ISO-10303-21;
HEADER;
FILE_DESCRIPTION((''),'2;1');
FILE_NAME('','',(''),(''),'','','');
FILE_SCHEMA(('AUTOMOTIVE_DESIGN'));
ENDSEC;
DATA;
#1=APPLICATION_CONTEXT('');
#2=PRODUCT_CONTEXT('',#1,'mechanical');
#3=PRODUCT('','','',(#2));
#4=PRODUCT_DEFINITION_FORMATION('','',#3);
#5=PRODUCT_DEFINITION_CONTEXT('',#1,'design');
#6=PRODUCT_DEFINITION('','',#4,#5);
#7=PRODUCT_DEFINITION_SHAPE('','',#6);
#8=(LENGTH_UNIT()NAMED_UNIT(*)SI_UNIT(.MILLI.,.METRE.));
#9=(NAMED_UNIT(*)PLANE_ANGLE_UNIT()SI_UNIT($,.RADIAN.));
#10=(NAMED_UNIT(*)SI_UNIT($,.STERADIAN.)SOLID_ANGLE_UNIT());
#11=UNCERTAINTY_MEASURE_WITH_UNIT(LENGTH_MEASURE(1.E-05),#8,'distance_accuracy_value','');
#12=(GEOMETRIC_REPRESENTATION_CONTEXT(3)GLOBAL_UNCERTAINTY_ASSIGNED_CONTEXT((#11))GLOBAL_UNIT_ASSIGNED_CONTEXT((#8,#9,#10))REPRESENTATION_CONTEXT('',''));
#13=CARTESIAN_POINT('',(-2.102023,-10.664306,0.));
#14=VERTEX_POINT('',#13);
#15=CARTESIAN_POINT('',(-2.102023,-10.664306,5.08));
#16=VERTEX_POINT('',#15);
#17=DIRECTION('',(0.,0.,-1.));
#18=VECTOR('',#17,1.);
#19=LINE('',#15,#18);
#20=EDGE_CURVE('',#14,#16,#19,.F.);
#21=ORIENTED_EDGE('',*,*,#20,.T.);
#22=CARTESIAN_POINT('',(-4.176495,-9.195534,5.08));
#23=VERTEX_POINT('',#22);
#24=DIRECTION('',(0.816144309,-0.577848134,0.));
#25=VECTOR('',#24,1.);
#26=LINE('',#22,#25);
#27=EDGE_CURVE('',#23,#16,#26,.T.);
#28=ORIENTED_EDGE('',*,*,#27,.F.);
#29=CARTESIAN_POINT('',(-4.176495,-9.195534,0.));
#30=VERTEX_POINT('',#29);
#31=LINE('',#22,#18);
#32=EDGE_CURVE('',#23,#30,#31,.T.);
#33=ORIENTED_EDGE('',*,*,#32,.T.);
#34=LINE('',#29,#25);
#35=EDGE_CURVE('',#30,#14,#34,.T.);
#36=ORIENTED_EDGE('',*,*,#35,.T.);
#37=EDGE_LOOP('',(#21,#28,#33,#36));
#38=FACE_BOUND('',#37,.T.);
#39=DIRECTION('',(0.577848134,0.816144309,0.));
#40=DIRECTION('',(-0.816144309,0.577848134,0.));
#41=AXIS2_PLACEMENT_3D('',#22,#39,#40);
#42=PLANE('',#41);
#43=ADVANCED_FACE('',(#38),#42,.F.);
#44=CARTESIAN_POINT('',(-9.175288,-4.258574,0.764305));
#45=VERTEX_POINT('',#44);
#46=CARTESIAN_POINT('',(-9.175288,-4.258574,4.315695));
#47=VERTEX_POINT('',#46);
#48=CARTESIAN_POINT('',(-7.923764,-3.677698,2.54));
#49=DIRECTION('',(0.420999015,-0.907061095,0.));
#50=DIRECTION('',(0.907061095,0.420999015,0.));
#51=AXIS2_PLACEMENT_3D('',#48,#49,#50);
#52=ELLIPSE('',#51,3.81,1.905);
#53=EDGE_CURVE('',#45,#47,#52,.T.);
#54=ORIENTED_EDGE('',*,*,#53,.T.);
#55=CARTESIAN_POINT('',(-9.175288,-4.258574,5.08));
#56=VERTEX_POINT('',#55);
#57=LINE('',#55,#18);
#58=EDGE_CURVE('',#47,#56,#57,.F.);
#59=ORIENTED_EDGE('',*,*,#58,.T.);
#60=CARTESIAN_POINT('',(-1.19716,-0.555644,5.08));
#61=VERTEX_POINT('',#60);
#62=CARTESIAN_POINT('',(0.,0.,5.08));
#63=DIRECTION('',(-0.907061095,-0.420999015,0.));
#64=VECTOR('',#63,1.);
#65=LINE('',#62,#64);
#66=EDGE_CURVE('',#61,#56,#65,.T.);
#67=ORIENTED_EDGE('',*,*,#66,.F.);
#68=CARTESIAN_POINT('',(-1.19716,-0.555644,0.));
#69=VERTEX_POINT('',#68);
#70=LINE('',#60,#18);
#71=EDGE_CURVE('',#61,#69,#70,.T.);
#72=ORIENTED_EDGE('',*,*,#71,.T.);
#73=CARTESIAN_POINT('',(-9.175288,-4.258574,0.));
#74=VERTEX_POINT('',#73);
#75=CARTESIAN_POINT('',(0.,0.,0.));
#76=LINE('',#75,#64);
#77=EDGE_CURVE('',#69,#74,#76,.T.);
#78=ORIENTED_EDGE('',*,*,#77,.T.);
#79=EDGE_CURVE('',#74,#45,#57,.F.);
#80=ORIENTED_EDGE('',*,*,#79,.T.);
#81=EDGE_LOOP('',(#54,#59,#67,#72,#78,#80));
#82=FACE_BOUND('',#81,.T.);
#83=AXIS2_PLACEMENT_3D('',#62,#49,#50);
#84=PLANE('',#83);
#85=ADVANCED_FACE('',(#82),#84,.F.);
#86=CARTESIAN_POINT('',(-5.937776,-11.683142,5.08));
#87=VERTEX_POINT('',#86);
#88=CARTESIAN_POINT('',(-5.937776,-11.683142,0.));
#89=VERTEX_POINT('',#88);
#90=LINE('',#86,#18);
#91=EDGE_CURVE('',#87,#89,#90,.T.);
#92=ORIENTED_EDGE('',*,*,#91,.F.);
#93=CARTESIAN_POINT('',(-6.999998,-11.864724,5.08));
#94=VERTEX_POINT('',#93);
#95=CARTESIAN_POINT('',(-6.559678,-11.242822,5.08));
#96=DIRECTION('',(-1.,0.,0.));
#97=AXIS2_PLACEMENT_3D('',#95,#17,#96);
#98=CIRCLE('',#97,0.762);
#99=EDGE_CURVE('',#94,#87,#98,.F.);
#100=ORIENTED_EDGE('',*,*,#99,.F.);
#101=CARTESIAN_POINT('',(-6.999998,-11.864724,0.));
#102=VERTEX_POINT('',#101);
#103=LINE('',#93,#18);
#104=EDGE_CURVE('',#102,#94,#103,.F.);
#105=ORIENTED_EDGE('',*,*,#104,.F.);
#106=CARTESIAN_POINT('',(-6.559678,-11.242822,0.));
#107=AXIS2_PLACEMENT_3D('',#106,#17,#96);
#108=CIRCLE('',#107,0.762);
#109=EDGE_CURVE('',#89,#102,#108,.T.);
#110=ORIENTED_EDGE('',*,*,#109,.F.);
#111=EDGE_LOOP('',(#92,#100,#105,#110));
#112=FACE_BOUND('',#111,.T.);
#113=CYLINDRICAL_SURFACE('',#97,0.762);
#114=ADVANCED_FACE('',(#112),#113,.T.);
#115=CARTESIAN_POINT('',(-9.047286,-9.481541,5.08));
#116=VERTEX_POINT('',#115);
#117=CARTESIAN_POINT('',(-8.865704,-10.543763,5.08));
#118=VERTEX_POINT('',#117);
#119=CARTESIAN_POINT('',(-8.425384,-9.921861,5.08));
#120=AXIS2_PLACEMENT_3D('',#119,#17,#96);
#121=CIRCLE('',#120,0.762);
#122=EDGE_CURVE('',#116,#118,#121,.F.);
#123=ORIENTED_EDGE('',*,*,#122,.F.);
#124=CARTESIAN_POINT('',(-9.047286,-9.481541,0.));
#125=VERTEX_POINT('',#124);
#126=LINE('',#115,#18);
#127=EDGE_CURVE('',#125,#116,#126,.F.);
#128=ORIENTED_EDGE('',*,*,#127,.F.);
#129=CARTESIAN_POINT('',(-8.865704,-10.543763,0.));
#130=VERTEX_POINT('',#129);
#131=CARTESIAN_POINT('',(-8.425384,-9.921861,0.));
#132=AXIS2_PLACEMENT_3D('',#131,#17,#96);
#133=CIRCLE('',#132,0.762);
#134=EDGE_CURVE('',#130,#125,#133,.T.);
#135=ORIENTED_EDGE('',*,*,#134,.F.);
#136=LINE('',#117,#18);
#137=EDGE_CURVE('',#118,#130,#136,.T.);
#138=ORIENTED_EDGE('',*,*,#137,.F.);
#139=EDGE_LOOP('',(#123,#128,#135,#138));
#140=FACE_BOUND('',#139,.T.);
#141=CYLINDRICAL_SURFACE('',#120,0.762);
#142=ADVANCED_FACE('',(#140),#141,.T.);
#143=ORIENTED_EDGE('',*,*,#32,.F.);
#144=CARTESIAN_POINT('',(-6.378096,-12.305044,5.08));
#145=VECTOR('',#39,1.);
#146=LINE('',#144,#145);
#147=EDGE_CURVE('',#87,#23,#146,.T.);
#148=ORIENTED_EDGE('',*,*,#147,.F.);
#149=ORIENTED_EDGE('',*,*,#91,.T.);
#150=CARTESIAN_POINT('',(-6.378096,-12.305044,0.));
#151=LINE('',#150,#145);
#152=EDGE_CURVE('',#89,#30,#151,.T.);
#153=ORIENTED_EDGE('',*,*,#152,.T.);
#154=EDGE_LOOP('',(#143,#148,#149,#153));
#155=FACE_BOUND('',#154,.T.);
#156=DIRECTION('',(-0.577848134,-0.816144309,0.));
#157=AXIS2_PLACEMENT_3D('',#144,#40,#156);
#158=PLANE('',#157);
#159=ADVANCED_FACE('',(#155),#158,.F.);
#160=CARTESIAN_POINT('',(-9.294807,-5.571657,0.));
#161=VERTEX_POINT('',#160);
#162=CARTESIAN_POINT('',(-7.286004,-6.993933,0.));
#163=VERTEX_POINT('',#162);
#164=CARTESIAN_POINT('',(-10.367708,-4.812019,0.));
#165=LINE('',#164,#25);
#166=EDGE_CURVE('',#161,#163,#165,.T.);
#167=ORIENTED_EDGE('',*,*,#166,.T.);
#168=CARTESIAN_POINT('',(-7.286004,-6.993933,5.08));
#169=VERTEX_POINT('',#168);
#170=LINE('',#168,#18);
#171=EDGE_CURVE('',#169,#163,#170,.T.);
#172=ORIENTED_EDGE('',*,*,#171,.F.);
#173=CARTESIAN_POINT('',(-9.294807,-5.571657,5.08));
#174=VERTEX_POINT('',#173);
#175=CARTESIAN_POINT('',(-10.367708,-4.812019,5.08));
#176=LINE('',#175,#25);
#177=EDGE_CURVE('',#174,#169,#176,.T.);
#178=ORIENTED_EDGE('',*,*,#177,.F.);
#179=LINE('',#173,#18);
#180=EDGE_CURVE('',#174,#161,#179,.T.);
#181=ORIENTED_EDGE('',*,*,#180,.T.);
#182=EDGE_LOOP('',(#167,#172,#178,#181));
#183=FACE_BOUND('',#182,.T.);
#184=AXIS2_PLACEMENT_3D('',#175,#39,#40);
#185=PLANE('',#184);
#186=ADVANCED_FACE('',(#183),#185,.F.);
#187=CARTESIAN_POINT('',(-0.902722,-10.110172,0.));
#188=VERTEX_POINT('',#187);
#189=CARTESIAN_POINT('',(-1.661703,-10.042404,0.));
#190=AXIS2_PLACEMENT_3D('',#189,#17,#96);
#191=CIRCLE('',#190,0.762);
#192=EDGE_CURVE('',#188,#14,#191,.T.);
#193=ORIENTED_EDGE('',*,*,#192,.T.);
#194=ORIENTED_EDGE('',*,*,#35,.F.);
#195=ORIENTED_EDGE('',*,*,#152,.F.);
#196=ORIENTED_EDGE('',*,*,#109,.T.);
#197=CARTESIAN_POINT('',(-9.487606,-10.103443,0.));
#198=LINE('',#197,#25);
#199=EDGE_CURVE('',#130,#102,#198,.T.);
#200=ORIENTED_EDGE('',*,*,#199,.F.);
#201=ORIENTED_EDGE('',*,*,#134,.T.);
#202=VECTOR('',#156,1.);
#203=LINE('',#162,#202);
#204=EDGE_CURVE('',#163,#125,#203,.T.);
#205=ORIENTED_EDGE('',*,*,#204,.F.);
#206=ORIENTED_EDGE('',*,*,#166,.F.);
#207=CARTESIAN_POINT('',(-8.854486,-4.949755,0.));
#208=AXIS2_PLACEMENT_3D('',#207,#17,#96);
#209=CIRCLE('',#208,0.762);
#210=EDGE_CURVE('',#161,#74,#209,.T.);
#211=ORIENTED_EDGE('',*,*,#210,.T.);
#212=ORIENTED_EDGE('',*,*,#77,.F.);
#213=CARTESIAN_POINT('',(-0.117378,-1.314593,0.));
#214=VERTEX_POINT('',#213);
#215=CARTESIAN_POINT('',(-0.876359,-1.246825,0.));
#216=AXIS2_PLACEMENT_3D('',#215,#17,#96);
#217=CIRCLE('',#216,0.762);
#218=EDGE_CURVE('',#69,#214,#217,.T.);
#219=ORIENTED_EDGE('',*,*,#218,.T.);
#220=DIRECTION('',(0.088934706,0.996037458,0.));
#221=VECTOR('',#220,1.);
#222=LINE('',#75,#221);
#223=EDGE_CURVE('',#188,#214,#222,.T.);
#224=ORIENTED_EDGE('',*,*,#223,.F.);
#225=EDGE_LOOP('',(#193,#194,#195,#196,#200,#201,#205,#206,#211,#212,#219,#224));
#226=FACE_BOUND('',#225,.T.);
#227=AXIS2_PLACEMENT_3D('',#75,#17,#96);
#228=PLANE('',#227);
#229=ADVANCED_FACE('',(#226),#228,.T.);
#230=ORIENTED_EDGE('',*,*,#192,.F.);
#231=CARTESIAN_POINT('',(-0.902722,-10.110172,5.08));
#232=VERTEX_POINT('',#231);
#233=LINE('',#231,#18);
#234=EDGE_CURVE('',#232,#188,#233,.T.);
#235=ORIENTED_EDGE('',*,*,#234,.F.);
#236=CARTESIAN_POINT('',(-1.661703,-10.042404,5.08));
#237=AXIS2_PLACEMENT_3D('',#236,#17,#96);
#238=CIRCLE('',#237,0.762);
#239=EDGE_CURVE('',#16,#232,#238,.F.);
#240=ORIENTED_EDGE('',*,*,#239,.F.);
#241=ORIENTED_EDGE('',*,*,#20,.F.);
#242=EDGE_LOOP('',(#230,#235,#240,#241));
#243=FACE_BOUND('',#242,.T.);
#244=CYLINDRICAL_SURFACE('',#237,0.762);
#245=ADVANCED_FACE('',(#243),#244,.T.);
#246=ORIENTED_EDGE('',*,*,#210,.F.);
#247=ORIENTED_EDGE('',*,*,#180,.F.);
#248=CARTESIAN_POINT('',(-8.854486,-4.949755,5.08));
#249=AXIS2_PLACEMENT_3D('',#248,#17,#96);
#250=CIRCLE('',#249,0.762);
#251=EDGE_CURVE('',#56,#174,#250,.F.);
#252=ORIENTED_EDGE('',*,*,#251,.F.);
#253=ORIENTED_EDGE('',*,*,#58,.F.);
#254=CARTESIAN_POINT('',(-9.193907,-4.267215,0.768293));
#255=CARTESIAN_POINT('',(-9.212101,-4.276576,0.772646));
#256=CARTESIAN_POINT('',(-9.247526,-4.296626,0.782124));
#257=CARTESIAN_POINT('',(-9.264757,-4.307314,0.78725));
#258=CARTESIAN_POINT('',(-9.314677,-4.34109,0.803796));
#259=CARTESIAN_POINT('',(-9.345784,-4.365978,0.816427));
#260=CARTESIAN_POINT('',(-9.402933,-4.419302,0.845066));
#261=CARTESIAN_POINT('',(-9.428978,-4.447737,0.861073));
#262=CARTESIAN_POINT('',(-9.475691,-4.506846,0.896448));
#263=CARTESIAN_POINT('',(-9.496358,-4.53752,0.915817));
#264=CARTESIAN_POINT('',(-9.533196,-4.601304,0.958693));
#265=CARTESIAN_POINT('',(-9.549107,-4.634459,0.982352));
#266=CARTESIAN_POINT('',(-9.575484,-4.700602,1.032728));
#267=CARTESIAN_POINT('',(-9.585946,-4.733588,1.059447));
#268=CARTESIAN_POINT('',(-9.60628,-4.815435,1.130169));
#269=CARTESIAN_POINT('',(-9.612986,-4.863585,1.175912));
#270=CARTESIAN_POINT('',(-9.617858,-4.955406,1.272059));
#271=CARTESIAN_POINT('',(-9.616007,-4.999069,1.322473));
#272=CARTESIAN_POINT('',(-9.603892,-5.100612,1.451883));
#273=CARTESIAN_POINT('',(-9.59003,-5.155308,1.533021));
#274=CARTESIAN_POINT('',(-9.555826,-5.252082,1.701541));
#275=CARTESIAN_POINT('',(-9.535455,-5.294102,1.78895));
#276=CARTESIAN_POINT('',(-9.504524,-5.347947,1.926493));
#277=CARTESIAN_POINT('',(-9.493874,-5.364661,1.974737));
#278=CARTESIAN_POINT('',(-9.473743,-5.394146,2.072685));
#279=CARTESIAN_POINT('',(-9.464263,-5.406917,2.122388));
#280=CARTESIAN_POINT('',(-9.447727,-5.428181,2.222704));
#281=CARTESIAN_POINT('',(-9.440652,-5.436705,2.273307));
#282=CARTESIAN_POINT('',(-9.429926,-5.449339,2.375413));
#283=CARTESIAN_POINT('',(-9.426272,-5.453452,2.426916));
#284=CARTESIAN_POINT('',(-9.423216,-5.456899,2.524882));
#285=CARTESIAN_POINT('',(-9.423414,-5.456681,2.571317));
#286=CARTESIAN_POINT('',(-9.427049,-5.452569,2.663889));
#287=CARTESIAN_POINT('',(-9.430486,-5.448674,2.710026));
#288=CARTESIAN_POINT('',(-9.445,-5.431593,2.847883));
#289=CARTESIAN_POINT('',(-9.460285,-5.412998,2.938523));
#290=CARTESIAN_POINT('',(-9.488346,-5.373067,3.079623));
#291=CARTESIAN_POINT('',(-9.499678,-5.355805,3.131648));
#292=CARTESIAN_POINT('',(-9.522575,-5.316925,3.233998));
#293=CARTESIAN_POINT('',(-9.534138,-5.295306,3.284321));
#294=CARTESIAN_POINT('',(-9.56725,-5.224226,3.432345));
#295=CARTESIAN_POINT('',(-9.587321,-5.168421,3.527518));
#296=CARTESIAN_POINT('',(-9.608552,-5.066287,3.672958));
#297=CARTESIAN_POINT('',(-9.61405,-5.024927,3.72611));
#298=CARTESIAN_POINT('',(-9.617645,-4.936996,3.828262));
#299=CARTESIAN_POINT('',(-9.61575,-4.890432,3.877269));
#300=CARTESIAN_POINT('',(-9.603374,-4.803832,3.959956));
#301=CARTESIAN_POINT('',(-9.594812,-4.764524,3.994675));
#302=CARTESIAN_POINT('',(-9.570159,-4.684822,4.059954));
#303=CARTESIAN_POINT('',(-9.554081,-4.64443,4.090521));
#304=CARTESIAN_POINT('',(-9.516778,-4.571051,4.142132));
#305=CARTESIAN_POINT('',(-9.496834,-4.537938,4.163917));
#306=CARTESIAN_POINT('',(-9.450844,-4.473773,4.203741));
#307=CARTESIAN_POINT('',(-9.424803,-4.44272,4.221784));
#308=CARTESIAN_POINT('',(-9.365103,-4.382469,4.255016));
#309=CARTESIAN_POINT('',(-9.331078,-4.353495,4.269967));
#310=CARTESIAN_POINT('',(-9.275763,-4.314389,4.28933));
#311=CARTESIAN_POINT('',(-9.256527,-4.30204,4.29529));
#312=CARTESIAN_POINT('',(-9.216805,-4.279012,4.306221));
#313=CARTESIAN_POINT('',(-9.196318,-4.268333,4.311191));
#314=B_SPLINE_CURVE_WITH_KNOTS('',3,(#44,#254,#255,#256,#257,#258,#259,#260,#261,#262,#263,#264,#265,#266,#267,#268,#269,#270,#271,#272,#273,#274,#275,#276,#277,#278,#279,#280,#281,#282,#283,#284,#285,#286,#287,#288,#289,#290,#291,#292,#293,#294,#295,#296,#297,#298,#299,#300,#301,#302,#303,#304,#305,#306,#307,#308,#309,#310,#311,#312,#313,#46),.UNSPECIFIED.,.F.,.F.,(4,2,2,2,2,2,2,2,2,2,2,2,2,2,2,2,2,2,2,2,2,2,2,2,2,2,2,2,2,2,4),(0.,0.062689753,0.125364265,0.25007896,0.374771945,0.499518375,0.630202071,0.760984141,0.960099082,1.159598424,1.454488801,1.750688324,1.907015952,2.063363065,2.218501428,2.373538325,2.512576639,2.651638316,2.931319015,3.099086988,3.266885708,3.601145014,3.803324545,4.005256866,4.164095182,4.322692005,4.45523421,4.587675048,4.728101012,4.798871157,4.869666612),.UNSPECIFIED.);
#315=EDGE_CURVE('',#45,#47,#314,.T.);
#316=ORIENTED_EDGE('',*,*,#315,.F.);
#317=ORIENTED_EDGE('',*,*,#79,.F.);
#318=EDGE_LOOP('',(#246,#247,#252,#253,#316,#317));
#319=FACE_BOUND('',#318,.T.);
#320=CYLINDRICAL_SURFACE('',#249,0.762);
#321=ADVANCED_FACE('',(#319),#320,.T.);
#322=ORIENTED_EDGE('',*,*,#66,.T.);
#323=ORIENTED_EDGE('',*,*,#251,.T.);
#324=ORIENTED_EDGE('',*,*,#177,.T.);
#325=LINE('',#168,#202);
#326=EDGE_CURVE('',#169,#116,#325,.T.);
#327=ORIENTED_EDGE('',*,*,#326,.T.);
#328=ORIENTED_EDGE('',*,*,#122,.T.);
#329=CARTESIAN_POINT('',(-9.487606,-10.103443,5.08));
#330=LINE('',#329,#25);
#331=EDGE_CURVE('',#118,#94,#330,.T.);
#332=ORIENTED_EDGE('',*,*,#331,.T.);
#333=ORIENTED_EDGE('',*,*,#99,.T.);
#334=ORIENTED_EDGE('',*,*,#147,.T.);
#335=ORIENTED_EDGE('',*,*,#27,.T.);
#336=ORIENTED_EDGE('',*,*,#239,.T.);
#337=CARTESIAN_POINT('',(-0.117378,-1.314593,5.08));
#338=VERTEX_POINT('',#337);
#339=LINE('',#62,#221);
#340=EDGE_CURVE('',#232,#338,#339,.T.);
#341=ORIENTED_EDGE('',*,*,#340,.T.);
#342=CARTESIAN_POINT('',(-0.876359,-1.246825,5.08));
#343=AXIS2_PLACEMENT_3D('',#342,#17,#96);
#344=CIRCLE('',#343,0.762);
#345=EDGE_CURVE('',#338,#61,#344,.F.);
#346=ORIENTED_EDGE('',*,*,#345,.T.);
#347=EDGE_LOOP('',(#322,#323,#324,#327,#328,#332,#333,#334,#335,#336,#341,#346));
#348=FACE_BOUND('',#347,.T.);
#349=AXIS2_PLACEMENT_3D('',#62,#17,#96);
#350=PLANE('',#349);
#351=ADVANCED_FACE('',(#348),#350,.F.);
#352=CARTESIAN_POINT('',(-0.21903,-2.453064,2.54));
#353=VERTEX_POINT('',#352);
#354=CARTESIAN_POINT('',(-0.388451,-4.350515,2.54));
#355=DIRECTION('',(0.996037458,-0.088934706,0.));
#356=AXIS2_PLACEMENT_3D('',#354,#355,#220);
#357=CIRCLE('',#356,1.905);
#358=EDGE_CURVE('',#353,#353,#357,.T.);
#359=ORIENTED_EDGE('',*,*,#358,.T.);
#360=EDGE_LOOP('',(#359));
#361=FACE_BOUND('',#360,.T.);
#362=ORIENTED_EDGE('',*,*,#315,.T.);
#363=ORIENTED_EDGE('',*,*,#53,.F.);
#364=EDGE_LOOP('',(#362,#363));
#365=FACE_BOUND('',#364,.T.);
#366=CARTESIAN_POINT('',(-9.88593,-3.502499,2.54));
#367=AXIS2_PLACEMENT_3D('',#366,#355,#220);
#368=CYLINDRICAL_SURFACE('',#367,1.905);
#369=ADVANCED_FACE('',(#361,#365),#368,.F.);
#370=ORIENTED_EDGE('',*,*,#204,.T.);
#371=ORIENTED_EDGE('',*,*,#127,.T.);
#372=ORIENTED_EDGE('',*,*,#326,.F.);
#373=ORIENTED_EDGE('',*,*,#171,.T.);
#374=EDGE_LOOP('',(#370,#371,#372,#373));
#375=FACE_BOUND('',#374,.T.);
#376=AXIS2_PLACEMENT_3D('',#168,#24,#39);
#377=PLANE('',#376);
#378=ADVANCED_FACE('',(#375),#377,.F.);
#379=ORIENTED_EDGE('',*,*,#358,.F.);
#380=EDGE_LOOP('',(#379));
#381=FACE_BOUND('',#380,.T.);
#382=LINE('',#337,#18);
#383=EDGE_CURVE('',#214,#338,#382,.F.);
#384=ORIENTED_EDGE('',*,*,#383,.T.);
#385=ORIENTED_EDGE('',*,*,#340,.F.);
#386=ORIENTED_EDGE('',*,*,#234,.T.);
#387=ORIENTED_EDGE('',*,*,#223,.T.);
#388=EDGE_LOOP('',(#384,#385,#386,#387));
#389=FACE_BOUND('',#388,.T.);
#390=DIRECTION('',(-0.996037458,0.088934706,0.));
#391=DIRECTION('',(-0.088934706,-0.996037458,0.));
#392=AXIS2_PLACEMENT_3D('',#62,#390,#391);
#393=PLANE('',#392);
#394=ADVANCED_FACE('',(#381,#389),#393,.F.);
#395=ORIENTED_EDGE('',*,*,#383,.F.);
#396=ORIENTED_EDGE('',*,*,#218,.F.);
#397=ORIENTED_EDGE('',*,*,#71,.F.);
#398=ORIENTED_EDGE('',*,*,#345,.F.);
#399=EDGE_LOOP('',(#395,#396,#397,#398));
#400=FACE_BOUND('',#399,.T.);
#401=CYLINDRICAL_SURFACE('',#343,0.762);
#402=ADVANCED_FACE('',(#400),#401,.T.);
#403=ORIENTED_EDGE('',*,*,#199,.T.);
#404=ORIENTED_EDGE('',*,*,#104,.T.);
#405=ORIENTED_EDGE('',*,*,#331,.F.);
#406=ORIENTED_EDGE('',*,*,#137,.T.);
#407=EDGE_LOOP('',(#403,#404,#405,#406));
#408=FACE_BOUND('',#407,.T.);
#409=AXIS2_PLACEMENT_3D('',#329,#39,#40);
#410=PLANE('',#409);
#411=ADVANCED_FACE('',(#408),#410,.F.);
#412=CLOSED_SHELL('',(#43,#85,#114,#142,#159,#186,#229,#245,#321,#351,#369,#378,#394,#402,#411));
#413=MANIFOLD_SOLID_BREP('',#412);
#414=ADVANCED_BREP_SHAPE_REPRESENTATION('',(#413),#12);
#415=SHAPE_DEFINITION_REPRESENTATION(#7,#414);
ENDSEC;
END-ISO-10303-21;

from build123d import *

# Parameters (mm, degrees)
BOSS_EXTRUDE1_DEPTH = 5.08
FILLET1_R           = 0.762
SKETCH2_R           = 1.905
CUT_EXTRUDE1_DEPTH  = 10.53526285


with BuildPart() as part:
    # Sketch1 → Boss-Extrude1 (new body)
    with BuildSketch(Plane.XY):
        Polygon((0, 0), (-10.367708313, -4.812018738), (-7.286004456, -6.993932896), (-9.487605847, -10.103442715), (-6.378096028, -12.305044107), (-4.176494637, -9.195534288), (-1.020567729, -11.43), align=None)
    extrude(amount=BOSS_EXTRUDE1_DEPTH)

    # Fillet1
    fillet1_edges = [part.edges().sort_by_distance(p)[0] for p in [
        (-1.020567729, -11.43, 2.54),
        (-6.378096028, -12.305044107, 2.54),
        (-9.487605847, -10.103442715, 2.54),
        (-10.367708313, -4.812018738, 2.54),
        (0, 0, 2.54),
    ]]
    fillet(fillet1_edges, radius=FILLET1_R)

    # Sketch2 → Cut-Extrude1 (cut, through all)
    with BuildSketch(Plane(origin=(0, 0, 0), x_dir=(0, 0, -1), z_dir=(0.996037458, -0.088934706, 0))):
        with Locations((-2.54, -4.367822715)):
            Circle(SKETCH2_R)
    extrude(amount=-CUT_EXTRUDE1_DEPTH, mode=Mode.SUBTRACT)


solid = part.part
